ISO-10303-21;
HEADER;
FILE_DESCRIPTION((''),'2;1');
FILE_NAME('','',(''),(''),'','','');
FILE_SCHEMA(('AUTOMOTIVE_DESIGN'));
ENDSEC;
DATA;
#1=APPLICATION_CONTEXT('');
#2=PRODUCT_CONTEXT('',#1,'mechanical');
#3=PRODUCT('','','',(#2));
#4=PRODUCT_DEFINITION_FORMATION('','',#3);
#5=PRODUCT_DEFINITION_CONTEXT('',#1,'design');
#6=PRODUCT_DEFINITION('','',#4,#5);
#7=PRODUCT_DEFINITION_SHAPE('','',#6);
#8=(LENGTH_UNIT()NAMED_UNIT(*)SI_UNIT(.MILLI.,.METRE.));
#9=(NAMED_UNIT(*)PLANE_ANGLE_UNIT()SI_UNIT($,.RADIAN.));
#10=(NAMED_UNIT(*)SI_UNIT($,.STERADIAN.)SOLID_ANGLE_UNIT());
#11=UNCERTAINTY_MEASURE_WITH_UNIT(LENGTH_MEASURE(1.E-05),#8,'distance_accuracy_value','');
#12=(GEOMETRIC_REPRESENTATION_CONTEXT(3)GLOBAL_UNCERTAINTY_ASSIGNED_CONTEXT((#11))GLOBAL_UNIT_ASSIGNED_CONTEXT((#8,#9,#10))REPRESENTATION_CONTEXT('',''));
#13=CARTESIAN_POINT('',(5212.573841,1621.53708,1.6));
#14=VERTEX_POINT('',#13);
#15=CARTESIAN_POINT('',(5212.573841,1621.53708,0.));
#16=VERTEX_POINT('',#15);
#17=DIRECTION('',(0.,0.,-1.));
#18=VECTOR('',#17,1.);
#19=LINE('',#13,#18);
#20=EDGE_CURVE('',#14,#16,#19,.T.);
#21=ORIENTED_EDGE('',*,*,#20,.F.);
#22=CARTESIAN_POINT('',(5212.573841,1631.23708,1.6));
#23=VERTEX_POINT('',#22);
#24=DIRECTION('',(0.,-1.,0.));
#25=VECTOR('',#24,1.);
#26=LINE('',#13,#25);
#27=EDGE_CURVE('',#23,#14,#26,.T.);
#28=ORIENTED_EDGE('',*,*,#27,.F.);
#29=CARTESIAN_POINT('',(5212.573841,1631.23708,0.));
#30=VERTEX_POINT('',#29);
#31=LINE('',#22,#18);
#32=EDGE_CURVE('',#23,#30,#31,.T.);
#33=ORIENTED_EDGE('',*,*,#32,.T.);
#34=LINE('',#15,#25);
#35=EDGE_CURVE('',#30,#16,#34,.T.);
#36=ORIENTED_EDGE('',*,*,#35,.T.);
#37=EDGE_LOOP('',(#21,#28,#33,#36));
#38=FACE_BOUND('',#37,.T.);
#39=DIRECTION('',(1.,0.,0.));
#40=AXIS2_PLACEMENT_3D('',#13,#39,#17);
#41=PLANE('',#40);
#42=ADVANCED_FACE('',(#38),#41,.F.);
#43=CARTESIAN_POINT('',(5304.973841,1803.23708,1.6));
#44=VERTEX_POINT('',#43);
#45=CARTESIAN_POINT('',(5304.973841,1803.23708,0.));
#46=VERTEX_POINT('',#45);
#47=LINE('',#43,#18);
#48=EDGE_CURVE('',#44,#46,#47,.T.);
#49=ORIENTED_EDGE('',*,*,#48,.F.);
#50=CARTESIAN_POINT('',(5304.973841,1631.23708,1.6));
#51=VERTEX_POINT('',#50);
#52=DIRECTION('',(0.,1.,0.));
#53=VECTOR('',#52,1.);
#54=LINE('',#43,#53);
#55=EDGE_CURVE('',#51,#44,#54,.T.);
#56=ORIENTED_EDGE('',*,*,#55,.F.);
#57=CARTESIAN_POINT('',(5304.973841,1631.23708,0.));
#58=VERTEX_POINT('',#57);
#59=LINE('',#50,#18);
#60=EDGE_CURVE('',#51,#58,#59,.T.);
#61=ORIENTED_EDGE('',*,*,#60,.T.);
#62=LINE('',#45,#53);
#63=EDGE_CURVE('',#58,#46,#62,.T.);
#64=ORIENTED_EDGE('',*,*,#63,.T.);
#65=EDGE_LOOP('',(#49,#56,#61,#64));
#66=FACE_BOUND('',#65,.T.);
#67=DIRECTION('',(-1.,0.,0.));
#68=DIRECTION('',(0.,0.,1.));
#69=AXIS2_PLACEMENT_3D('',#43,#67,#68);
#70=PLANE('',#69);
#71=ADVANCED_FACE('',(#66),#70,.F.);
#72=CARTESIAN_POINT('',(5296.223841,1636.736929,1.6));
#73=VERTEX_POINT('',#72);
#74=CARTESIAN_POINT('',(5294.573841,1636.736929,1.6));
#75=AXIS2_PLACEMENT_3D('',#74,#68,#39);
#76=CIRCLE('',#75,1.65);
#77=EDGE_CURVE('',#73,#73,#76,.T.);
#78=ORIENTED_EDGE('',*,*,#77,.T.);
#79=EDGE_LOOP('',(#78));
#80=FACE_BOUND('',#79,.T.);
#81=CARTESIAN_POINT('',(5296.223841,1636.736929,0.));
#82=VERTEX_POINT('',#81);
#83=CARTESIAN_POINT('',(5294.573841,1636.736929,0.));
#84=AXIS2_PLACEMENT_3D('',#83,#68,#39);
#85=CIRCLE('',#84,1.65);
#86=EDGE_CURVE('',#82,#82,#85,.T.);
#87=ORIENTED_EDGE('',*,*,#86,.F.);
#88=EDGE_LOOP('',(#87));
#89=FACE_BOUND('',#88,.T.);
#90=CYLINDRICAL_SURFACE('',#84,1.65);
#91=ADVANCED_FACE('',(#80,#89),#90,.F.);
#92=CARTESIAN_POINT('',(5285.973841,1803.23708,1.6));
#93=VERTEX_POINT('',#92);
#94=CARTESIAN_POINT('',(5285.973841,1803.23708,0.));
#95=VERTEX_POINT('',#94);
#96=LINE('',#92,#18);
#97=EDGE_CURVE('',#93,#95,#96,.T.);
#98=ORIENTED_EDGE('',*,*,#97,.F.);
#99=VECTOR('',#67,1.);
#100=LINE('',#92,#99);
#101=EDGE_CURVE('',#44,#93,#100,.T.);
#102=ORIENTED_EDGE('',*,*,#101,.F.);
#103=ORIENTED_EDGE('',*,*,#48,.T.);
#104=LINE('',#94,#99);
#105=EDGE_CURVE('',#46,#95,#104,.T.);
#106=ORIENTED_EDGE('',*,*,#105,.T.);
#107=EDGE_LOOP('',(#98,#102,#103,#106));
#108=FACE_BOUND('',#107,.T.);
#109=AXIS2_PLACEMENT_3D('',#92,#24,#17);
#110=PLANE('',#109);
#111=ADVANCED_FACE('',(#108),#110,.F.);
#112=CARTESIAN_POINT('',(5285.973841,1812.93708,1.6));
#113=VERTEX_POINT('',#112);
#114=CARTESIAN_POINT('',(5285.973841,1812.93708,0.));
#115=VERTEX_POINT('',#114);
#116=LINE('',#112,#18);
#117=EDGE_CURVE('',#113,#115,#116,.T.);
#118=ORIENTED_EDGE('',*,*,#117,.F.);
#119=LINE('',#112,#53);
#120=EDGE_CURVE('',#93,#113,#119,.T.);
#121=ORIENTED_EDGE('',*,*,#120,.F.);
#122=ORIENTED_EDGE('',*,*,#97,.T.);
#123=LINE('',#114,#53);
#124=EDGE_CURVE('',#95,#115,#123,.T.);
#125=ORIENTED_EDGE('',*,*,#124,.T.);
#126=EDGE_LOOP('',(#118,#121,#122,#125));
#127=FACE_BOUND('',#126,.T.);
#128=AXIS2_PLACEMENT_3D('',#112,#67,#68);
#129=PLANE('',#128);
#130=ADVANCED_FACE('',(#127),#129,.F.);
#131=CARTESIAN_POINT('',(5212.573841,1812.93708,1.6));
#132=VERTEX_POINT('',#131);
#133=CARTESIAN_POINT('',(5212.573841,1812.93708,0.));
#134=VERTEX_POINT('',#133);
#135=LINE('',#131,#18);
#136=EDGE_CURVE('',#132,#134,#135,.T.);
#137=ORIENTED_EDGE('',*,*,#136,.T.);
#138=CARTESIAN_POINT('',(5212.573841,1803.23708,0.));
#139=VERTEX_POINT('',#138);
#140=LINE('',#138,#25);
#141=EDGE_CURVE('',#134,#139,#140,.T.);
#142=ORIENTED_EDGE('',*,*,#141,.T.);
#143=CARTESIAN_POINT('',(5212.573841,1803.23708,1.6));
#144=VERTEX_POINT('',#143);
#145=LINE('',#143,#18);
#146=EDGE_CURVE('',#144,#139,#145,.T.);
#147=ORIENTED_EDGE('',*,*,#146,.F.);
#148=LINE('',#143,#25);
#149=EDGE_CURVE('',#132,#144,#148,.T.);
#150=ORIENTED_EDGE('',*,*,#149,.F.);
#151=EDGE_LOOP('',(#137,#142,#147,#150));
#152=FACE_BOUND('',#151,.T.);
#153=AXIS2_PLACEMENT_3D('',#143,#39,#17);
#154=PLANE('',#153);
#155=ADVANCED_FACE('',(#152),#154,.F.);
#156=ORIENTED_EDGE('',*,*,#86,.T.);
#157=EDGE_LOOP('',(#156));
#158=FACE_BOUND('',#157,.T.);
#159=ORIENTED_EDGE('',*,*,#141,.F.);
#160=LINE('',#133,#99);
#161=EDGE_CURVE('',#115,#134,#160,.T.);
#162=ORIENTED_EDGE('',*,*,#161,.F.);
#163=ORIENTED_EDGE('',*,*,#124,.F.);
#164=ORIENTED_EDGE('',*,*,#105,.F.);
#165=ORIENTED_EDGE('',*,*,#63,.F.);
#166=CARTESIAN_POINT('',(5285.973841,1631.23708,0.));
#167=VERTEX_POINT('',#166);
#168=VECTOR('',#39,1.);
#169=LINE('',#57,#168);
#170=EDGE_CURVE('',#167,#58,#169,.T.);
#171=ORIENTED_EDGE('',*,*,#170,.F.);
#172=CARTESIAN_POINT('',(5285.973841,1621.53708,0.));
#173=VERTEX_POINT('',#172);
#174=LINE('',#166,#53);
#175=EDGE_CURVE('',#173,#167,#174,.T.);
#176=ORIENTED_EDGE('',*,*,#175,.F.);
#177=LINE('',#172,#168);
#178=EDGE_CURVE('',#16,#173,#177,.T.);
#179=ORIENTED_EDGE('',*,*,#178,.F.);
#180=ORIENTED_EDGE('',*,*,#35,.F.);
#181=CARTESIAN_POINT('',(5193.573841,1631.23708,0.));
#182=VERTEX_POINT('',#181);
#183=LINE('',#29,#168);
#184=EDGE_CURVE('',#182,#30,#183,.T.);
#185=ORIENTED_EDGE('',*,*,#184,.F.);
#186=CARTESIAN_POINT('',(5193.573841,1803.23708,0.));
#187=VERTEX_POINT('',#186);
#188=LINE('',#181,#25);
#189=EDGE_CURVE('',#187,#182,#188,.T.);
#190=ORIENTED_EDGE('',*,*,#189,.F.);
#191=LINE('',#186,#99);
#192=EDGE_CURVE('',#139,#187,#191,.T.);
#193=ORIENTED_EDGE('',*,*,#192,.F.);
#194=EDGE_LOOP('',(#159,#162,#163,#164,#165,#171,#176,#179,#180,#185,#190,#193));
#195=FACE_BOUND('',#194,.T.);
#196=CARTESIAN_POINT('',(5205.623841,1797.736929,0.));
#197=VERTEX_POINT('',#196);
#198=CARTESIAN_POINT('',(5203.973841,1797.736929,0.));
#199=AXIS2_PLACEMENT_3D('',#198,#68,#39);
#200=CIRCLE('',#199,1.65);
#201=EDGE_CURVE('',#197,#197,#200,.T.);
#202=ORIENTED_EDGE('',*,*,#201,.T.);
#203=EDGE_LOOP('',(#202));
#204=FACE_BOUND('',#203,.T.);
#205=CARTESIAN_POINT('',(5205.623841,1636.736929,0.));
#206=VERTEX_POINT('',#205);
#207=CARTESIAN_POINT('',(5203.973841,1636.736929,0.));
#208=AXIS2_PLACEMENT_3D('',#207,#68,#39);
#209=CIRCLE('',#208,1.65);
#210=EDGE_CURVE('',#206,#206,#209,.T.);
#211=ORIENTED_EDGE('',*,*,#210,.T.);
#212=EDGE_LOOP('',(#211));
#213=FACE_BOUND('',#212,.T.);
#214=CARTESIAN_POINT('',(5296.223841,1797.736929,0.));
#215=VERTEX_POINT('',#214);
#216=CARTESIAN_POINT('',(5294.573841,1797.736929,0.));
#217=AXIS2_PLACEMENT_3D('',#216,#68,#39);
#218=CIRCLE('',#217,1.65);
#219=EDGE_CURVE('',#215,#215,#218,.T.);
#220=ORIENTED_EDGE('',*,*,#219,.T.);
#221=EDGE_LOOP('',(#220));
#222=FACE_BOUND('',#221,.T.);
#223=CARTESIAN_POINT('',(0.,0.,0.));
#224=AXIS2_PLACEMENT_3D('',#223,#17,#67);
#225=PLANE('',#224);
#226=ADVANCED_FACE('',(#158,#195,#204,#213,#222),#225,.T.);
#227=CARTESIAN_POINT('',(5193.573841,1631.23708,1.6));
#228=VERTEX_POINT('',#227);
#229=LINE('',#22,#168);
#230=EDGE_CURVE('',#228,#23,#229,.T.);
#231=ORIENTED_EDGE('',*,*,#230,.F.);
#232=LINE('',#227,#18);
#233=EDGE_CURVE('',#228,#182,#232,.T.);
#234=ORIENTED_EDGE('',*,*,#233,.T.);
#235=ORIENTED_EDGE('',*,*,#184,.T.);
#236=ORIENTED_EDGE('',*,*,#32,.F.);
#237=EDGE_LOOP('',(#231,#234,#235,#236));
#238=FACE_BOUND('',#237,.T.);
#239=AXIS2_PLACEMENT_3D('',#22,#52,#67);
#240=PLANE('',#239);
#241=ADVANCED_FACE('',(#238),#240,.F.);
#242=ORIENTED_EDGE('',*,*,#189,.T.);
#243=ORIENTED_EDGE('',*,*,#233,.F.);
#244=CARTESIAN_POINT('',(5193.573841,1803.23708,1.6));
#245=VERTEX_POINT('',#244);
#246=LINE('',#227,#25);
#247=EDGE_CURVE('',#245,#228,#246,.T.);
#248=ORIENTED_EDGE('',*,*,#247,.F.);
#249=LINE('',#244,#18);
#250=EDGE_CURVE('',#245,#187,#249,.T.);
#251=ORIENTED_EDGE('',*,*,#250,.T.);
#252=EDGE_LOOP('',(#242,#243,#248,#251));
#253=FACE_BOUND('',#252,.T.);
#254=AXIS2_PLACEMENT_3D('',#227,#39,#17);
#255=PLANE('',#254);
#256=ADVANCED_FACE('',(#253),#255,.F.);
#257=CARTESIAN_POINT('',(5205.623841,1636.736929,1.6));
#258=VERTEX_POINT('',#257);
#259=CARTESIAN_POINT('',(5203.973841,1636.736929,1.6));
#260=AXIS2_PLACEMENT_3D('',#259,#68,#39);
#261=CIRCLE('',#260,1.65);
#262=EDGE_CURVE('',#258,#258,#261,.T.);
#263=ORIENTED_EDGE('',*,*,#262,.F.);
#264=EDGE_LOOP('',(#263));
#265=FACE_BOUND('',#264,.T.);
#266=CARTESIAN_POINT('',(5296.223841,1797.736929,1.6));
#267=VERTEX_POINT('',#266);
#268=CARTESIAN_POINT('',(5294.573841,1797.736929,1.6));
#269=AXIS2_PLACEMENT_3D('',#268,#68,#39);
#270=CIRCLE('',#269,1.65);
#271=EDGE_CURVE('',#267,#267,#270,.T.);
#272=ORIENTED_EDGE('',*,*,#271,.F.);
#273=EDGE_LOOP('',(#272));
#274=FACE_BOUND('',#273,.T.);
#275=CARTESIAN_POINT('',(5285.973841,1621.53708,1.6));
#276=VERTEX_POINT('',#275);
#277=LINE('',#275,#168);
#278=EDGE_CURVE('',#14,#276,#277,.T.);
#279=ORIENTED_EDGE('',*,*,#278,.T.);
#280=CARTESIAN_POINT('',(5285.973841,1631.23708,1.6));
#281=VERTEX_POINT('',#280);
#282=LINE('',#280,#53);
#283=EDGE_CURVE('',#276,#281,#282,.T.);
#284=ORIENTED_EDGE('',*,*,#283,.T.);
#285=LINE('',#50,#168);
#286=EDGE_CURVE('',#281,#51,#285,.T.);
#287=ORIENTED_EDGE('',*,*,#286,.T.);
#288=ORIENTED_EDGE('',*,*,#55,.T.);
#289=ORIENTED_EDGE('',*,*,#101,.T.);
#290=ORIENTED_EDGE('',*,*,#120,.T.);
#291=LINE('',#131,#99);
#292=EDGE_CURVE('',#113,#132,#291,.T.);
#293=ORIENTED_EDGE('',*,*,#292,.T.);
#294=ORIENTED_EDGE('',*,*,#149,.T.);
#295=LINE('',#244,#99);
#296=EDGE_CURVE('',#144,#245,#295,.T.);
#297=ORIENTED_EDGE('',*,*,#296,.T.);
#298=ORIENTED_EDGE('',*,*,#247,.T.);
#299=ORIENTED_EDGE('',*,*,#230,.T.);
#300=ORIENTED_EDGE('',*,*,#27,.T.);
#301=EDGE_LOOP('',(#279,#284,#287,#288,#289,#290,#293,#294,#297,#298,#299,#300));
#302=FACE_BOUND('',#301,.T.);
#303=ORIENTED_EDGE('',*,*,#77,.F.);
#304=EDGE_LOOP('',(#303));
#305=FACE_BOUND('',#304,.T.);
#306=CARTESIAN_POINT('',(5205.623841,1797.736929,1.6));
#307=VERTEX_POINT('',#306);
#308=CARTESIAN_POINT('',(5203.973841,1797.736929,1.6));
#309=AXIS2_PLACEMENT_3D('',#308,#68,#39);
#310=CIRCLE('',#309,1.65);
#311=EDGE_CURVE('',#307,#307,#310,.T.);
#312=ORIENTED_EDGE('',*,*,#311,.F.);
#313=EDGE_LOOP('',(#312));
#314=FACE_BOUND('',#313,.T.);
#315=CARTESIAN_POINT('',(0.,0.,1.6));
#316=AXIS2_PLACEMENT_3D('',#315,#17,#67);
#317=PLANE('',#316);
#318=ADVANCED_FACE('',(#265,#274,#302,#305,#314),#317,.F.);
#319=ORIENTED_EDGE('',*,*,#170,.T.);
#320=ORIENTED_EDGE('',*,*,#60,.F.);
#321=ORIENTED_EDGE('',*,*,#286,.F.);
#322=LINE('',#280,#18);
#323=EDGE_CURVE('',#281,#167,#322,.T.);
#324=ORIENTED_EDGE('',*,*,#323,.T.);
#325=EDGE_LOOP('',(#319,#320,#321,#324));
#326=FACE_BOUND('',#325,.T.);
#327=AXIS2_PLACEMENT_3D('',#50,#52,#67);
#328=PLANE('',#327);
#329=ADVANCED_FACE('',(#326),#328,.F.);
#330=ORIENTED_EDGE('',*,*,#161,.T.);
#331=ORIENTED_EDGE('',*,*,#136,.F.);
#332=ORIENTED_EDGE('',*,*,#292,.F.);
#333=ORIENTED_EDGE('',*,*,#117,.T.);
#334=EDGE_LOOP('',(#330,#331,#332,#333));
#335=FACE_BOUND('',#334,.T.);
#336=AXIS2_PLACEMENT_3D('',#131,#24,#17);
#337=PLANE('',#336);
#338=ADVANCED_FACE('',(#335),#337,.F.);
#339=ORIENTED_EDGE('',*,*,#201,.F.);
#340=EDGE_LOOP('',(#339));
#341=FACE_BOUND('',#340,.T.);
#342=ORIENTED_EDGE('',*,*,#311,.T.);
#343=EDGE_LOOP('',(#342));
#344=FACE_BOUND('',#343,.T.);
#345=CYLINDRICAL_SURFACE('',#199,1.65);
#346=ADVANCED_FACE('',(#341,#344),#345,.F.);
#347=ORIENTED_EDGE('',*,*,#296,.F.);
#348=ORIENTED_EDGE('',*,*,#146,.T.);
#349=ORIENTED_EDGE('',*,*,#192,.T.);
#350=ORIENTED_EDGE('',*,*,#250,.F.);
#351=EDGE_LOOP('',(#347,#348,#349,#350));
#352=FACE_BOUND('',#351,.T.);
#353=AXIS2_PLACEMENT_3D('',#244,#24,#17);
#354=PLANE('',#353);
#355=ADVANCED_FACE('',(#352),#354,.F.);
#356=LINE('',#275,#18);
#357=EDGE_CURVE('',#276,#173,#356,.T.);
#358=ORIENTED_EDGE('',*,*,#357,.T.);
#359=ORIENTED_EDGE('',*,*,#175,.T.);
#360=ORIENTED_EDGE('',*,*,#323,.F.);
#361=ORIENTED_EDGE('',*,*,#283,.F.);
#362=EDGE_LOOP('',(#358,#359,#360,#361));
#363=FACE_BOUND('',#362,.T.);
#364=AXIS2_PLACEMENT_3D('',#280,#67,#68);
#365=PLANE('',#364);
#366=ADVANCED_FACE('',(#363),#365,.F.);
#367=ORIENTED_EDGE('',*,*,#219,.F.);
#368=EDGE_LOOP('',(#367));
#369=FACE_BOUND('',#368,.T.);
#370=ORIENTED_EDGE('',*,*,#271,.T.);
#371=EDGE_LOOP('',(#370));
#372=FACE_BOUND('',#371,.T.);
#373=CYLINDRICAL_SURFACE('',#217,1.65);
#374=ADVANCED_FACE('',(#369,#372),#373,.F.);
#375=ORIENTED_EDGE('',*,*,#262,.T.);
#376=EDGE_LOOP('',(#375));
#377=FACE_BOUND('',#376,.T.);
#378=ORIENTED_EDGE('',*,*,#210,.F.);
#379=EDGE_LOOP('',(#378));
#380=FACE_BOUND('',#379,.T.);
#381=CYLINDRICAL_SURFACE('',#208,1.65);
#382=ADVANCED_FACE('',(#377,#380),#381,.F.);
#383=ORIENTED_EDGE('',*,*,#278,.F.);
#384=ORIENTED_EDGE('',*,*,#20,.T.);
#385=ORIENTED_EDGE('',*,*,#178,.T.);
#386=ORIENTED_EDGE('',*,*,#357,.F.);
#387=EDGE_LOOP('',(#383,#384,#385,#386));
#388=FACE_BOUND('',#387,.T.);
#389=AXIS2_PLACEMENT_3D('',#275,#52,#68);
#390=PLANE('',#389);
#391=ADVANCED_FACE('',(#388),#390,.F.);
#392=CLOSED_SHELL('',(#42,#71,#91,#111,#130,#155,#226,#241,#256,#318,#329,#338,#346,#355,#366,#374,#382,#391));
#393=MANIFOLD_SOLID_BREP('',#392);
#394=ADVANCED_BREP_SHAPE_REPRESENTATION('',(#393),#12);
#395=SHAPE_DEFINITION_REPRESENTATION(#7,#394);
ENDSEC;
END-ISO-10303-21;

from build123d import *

# Parameters (mm, degrees)
BOSS_EXTRUDE1_DEPTH = 1.6
CUT_EXTRUDE1_DEPTH  = 1.6


with BuildPart() as part:
    # Sketch2 → Boss-Extrude1 (new body)
    with BuildSketch(Plane.XY):
        Polygon((5193.573840828, 1803.237079941), (5212.573840828, 1803.237079941), (5212.573840828, 1812.937079941), (5285.973840828, 1812.937079941), (5285.973840828, 1803.237079941), (5304.973840828, 1803.237079941), (5304.973840828, 1631.237079941), (5285.973840828, 1631.237079941), (5285.973840828, 1621.537079941), (5212.573840828, 1621.537079941), (5212.573840828, 1631.237079941), (5193.573840828, 1631.237079941), align=None)
    extrude(amount=BOSS_EXTRUDE1_DEPTH)

    # Sketch3 → Cut-Extrude1 (cut)
    with BuildSketch(Plane.XY.offset(1.6)):
        with BuildLine():
            ThreePointArc((5202.323840828, 1797.736928772), (5203.973840828, 1796.086928772), (5205.623840828, 1797.736928772))
            ThreePointArc((5205.623840828, 1797.736928772), (5203.973840828, 1799.386928772), (5202.323840828, 1797.736928772))
        make_face()
        with BuildLine():
            ThreePointArc((5296.223840828, 1797.736928772), (5294.573840828, 1799.386928772), (5292.923840828, 1797.736928772))
            ThreePointArc((5292.923840828, 1797.736928772), (5294.573840828, 1796.086928772), (5296.223840828, 1797.736928772))
        make_face()
        with BuildLine():
            ThreePointArc((5296.223840828, 1636.736928772), (5294.573840828, 1638.386928772), (5292.923840828, 1636.736928772))
            ThreePointArc((5292.923840828, 1636.736928772), (5294.573840828, 1635.086928772), (5296.223840828, 1636.736928772))
        make_face()
        with BuildLine():
            ThreePointArc((5205.623840828, 1636.736928772), (5203.973840828, 1638.386928772), (5202.323840828, 1636.736928772))
            ThreePointArc((5202.323840828, 1636.736928772), (5203.973840828, 1635.086928772), (5205.623840828, 1636.736928772))
        make_face()
    extrude(amount=-CUT_EXTRUDE1_DEPTH, mode=Mode.SUBTRACT)


solid = part.part
